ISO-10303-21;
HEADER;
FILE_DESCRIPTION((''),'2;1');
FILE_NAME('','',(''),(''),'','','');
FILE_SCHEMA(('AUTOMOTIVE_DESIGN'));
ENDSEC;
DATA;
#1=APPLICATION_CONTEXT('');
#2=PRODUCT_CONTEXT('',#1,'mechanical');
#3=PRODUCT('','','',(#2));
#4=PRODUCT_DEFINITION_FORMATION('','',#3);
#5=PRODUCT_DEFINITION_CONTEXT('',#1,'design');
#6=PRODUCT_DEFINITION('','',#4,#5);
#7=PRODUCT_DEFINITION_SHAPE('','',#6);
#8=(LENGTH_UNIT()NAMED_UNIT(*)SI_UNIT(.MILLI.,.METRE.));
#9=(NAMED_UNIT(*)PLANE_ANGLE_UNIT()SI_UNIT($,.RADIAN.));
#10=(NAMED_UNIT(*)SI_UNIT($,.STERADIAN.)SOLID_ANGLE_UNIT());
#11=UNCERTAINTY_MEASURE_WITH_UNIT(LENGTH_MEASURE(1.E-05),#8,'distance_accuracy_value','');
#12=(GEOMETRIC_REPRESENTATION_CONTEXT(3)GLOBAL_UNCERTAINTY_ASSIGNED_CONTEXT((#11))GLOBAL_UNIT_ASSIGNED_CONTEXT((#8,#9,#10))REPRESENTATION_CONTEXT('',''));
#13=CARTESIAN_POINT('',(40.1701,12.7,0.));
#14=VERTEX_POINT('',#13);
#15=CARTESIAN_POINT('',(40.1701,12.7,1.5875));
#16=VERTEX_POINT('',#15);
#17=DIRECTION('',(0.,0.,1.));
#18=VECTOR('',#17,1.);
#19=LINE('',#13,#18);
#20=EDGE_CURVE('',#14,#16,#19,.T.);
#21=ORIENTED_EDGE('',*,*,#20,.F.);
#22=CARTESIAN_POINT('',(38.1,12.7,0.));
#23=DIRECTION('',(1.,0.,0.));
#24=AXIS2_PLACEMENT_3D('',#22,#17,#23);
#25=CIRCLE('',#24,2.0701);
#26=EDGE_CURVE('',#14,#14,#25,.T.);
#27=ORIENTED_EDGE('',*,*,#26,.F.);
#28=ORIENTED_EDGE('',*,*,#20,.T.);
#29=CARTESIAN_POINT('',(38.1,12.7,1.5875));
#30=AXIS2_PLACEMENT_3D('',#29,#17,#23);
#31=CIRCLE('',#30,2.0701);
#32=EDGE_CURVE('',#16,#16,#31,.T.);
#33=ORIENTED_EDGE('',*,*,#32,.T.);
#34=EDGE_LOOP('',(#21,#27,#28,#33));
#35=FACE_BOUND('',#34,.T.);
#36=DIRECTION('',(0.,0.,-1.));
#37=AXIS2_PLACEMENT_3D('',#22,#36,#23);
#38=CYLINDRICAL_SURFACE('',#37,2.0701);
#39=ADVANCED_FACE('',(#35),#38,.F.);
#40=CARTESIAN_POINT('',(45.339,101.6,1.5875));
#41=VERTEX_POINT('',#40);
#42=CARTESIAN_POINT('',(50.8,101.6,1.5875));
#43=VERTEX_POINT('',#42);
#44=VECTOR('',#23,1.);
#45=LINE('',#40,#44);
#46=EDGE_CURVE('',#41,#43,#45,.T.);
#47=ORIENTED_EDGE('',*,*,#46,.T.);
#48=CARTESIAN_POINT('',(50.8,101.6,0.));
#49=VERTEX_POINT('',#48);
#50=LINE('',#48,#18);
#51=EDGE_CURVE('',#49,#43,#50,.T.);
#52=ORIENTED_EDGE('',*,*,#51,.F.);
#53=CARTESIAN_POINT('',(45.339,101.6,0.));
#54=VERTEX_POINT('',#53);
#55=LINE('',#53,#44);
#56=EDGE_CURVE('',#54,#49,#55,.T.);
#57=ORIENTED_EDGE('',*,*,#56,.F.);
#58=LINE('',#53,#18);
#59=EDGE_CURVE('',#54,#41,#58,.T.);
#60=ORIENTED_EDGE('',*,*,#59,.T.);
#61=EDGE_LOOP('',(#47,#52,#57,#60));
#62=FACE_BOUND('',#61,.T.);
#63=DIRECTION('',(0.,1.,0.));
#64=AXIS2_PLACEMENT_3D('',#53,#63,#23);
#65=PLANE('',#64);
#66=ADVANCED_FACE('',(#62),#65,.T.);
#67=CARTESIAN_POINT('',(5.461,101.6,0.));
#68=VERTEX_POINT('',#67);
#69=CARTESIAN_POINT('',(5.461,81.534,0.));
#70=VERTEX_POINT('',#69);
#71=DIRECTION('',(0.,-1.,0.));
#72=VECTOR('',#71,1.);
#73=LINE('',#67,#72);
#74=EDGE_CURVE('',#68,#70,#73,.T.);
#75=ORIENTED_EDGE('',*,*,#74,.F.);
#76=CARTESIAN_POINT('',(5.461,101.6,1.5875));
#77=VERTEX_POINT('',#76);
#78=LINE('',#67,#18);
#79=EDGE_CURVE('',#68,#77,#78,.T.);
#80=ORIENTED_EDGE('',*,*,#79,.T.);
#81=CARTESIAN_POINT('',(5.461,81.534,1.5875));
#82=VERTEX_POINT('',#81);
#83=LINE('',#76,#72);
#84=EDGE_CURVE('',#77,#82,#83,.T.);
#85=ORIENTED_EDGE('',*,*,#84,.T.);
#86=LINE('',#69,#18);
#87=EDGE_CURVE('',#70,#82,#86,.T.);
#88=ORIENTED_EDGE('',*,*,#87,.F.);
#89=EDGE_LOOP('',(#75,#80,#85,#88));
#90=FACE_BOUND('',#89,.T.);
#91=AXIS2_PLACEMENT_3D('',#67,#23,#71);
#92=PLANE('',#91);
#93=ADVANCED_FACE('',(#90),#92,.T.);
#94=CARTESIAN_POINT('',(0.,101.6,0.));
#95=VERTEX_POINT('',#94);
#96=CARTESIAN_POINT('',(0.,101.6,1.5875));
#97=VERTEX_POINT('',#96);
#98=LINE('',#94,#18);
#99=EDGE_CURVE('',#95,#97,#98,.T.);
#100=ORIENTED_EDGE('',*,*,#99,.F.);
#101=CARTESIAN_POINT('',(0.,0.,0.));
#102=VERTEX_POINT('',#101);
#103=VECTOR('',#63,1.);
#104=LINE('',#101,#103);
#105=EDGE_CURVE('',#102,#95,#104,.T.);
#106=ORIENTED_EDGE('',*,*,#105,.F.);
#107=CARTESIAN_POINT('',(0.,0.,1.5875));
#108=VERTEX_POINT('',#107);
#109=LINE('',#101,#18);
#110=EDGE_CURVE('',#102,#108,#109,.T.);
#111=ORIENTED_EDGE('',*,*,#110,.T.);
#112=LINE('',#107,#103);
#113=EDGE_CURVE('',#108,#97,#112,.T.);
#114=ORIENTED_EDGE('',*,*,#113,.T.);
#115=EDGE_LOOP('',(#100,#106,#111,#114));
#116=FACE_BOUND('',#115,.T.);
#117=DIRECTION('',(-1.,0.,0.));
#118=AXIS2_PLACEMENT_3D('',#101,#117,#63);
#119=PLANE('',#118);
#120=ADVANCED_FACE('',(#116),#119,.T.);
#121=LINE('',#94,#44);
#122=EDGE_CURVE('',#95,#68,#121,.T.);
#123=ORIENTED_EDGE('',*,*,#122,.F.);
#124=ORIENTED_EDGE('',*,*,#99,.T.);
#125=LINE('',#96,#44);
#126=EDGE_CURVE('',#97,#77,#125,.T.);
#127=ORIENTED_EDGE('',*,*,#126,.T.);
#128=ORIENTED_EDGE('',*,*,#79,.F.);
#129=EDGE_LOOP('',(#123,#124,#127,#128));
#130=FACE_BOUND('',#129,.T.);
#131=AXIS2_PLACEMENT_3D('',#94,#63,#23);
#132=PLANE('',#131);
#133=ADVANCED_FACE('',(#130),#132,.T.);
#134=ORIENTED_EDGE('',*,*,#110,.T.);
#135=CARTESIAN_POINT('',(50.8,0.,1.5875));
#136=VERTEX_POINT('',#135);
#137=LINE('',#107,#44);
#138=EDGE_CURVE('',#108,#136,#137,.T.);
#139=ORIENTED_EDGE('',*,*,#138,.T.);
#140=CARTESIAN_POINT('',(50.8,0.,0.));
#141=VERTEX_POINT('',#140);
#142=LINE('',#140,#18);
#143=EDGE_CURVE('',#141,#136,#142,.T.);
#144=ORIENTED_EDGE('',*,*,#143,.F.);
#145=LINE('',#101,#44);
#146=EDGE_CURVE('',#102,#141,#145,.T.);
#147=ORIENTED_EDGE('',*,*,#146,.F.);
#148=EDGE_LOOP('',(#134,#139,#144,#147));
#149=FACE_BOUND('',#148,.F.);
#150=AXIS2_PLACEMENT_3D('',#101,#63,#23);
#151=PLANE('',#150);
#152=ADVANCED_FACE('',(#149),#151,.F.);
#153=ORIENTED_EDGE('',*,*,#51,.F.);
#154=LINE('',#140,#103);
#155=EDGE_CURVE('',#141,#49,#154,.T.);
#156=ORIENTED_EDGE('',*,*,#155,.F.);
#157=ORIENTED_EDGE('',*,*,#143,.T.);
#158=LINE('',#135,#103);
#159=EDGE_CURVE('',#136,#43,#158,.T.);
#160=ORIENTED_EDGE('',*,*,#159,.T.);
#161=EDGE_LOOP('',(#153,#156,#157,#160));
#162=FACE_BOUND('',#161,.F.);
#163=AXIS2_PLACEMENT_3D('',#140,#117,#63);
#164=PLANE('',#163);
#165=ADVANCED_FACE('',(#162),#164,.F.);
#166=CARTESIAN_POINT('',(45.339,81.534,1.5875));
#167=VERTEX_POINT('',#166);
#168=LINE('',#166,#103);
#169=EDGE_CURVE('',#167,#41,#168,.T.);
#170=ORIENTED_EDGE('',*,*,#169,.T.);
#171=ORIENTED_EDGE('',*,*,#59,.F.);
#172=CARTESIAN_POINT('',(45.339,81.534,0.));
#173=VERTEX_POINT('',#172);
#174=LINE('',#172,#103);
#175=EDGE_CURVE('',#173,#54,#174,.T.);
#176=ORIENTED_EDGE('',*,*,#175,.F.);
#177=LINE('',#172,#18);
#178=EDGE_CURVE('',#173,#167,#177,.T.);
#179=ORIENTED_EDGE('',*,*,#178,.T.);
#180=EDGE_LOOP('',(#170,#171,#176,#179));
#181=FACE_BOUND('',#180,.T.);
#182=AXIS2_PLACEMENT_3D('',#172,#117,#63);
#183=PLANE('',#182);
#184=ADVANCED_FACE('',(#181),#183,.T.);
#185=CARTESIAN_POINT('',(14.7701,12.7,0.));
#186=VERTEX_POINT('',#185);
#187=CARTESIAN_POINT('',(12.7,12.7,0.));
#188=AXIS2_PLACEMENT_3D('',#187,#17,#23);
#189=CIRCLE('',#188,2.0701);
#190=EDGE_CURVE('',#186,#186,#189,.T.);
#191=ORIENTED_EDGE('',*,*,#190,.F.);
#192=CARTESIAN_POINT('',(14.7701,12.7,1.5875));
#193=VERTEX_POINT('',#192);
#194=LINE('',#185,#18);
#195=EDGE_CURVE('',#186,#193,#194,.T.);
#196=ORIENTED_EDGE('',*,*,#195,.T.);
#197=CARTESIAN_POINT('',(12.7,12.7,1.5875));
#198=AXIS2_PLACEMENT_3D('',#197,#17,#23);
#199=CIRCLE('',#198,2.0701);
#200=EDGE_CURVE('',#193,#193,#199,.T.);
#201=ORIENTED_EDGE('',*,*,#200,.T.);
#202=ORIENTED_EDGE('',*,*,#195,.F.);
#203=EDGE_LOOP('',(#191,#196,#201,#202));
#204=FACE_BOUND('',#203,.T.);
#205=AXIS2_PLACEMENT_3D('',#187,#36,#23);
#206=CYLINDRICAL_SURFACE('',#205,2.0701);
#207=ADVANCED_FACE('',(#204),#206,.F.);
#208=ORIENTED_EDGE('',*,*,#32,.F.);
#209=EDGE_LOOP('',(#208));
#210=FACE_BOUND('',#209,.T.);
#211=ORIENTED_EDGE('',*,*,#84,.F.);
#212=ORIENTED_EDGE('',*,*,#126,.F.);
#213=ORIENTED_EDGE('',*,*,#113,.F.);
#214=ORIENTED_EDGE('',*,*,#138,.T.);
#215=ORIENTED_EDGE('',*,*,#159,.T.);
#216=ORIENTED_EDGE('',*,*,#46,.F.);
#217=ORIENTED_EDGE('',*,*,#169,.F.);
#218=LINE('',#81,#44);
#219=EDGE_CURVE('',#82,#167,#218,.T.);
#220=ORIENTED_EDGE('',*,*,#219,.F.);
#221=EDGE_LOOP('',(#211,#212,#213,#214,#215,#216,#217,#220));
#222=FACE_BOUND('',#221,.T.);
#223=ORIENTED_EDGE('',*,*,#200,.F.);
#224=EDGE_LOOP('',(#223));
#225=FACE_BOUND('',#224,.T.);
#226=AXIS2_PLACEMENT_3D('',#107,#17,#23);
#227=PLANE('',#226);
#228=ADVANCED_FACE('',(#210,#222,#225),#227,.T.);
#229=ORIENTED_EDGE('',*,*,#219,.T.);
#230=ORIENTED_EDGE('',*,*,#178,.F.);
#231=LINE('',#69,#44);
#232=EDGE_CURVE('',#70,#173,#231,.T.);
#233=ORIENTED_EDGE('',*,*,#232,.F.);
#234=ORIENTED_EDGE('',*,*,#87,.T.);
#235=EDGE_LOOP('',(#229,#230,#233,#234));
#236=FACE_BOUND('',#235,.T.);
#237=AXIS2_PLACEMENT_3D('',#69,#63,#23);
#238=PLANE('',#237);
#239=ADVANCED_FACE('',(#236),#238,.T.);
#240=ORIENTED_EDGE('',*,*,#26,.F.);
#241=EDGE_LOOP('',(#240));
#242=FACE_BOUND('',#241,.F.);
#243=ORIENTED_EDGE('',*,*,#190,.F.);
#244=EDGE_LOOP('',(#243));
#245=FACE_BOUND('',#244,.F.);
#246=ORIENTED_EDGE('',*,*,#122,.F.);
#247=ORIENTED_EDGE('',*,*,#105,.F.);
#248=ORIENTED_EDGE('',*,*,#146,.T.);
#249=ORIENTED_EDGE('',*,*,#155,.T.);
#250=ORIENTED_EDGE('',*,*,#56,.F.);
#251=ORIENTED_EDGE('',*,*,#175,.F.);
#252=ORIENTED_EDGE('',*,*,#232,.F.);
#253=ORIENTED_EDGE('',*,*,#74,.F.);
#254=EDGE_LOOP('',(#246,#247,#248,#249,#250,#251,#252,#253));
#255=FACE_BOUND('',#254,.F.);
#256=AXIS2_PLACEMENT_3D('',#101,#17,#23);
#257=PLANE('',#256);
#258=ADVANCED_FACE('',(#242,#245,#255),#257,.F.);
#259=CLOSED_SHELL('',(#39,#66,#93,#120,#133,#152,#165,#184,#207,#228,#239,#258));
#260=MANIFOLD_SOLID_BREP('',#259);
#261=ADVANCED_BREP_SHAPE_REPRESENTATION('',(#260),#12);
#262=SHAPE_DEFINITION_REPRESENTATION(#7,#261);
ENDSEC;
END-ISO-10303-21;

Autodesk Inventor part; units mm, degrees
ref_plane "YZ Plane" through (0, 0, 0) normal (1, 0, 0) x (0, 1, 0)
ref_plane "XZ Plane" through (0, 0, 0) normal (0, 1, 0) x (-1, 0, 0)
ref_plane "XY Plane" through (0, 0, 0) normal (0, 0, 1) x (1, 0, 0)
sketch "Sketch1" plane through (0, 0, 0) normal (0, 0, 1) x (1, 0, 0)
  line L0 (0, 0) -> (50.8, 0)
  line L1 (50.8, 0) -> (50.8, 101.6)
  line L2 (0, 0) -> (0, 101.6)
  line L3 (0, 101.6) -> (5.461, 101.6)
  line L4 (5.461, 101.6) -> (5.461, 81.534)
  line L5 (5.461, 81.534) -> (45.339, 81.534)
  line L6 (45.339, 81.534) -> (45.339, 101.6)
  line L7 (45.339, 101.6) -> (50.8, 101.6)
  circle A0 centre (12.7, 12.7) radius 2.0701
  circle A1 centre (38.1, 12.7) radius 2.0701
  dimension "d0" = 50.8
  dimension "d1" = 101.6
  dimension "d2" = 101.6
  dimension "d3" = 5.461
  dimension "d4" = 20.066
  dimension "d5" = 5.461
  dimension "d6" = 4.1402
  dimension "d7" = 4.1402
  dimension "d8" = 12.7
  dimension "d9" = 12.7
  dimension "d10" = 12.7
  dimension "d11" = 12.7
extrude "Extrusion1" add sketch "Sketch1" along normal blind 1.5875
properties part number "Servo Mount" material "Polycarbonate, Clear"
